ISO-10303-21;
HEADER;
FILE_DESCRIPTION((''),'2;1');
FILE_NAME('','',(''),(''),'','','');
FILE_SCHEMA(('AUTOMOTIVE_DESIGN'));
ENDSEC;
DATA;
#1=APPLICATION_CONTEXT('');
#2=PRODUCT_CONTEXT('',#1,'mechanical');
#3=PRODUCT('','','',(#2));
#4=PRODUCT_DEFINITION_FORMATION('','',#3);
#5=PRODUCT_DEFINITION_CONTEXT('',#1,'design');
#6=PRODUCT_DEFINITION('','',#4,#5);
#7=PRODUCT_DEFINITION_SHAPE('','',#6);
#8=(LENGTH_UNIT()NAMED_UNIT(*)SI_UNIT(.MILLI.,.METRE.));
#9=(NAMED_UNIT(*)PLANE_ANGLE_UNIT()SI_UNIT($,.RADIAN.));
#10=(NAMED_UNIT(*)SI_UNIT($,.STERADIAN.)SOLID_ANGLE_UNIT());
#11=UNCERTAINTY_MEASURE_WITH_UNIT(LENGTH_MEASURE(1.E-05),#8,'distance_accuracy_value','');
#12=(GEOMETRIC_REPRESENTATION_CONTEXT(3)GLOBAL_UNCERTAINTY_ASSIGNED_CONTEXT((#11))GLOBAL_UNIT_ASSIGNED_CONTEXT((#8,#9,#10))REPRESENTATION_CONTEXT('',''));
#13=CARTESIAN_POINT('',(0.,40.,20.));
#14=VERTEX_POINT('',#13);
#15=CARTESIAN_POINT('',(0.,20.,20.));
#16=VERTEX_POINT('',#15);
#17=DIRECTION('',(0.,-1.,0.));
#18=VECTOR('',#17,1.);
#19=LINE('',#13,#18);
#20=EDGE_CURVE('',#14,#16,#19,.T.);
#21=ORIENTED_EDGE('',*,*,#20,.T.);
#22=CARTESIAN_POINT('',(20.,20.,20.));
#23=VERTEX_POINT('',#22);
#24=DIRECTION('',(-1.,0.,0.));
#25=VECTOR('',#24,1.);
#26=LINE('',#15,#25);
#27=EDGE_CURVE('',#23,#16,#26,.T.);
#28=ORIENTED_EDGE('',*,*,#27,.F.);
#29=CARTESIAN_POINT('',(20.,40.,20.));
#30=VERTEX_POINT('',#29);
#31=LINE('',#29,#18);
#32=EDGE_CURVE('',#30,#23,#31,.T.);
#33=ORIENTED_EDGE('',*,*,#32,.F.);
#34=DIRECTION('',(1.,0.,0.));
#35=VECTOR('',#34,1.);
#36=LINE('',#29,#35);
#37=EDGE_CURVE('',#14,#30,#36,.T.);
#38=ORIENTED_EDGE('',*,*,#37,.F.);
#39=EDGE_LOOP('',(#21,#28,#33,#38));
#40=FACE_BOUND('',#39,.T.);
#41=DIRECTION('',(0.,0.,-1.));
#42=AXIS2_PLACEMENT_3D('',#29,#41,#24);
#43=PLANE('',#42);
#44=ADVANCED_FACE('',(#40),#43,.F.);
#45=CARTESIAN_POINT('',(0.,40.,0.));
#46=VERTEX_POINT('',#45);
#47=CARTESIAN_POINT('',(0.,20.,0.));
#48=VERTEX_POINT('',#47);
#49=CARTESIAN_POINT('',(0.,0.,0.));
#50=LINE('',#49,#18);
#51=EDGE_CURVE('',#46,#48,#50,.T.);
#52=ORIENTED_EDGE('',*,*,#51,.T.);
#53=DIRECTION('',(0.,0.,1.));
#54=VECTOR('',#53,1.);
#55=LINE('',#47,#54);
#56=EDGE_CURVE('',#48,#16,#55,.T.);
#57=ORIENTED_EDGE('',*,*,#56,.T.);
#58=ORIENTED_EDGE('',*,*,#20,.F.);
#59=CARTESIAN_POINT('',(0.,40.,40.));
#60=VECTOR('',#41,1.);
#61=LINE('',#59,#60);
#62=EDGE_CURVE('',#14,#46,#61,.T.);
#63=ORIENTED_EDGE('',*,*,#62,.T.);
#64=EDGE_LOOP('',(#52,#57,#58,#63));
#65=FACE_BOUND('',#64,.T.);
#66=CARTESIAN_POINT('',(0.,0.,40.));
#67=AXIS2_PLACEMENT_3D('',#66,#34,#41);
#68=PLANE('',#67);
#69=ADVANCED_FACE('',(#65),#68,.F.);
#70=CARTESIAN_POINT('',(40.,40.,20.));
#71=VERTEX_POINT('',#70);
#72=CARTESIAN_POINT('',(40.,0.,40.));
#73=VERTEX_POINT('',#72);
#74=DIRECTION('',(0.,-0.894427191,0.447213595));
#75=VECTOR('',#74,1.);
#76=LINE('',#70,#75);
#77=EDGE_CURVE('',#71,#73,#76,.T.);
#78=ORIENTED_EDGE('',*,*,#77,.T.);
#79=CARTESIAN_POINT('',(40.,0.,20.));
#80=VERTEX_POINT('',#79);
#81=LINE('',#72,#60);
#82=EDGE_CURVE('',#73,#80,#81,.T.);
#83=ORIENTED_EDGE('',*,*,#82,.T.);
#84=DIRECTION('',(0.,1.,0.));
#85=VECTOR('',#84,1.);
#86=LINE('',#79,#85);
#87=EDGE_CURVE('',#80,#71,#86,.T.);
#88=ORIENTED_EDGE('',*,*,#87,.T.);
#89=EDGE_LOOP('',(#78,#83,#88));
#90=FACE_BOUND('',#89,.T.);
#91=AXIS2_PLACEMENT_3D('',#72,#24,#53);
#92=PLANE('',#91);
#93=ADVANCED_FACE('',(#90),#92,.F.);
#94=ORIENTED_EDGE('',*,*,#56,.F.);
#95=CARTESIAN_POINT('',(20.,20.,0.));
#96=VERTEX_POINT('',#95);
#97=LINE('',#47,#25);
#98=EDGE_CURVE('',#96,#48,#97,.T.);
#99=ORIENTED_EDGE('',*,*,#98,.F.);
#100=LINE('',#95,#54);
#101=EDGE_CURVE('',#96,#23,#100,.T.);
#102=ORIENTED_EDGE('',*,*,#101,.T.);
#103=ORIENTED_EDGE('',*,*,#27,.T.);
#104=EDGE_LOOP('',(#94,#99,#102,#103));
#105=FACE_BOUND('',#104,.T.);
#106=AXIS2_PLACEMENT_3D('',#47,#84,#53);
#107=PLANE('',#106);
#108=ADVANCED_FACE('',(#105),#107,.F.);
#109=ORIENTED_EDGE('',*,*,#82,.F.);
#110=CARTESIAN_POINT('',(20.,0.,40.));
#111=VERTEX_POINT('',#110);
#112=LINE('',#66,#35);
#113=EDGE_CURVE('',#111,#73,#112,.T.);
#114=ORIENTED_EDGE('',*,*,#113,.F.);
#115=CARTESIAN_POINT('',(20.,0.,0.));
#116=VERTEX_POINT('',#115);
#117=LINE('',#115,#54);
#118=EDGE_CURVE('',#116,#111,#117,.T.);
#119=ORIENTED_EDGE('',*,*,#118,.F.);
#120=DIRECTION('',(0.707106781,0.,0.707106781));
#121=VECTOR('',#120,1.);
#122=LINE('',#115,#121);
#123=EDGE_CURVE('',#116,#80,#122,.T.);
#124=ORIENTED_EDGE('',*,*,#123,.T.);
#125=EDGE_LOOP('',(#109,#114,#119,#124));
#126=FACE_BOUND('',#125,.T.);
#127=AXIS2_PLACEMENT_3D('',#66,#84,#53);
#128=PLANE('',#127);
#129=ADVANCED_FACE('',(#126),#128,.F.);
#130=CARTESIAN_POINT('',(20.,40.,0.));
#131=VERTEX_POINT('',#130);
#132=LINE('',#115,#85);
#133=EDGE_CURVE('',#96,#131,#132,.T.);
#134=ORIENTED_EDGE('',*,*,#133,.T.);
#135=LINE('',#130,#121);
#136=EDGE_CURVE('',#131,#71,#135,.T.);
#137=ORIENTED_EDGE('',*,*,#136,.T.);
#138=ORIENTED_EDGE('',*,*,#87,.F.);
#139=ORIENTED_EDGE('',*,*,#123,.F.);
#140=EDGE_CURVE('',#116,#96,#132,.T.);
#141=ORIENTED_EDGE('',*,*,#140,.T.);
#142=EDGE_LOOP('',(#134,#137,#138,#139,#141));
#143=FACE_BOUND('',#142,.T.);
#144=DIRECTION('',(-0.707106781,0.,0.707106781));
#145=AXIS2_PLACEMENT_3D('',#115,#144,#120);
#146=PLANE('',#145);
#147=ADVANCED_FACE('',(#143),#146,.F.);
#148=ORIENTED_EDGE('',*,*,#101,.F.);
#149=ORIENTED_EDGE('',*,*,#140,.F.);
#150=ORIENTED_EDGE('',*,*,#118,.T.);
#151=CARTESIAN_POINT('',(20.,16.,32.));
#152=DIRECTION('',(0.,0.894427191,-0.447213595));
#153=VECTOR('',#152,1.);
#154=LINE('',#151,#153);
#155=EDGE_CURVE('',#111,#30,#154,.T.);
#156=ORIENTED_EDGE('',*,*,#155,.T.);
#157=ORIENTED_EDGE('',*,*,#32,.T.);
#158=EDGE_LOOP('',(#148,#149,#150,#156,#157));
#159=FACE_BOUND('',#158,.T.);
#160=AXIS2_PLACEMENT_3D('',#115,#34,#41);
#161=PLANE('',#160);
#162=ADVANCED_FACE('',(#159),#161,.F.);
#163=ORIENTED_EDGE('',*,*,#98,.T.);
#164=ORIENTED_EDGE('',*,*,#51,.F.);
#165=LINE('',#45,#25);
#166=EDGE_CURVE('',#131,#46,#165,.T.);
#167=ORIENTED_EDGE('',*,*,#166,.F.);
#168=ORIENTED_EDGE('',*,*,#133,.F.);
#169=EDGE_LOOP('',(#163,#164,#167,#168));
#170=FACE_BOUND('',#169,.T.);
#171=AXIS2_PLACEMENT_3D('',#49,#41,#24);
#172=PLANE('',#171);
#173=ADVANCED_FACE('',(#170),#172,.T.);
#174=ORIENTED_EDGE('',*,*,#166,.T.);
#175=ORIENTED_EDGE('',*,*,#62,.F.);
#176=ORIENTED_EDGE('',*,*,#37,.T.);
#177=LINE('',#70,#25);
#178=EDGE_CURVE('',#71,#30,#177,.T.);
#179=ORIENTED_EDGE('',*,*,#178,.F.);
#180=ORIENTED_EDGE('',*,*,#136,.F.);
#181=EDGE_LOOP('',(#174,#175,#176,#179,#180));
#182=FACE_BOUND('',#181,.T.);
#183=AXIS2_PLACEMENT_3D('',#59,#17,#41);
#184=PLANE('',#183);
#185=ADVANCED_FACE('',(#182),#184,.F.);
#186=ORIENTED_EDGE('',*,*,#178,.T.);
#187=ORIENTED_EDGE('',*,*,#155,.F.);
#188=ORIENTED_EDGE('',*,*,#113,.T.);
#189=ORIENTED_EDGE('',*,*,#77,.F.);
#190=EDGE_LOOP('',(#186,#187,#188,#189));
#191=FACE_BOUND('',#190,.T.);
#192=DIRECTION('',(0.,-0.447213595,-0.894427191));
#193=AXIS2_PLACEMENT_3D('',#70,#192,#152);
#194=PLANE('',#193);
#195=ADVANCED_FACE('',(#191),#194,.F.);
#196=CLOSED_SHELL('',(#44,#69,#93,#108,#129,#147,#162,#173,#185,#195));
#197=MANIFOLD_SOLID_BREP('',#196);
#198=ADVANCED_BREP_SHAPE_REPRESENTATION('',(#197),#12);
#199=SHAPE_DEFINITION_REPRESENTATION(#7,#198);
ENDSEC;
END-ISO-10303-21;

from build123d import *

# Parameters (mm, degrees)
SKETCH1_W           = 40
SKETCH1_H           = 40
BOSS_EXTRUDE1_DEPTH = 40
SKETCH2_W           = 20
SKETCH2_H           = 20
CUT_EXTRUDE1_DEPTH  = 40
CUT_EXTRUDE2_DEPTH  = 40
SKETCH4_W           = 20
SKETCH4_H           = 20
CUT_EXTRUDE3_DEPTH  = 40
CUT_EXTRUDE4_DEPTH  = 40


with BuildPart() as part:
    # Sketch1 → Boss-Extrude1 (new body)
    with BuildSketch(Plane.XY):
        with Locations((20, 20)):
            Rectangle(SKETCH1_W, SKETCH1_H)
    extrude(amount=BOSS_EXTRUDE1_DEPTH)

    # Sketch2 → Cut-Extrude1 (cut)
    with BuildSketch(Plane.XY.offset(40)):
        with Locations((10, 10)):
            Rectangle(SKETCH2_W, SKETCH2_H)
    extrude(amount=-CUT_EXTRUDE1_DEPTH, mode=Mode.SUBTRACT)

    # Sketch3 → Cut-Extrude2 (cut)
    with BuildSketch(Plane.ZY):
        Polygon((20, 40), (40, 0), (40, 40), align=None)
    extrude(amount=-CUT_EXTRUDE2_DEPTH, mode=Mode.SUBTRACT)

    # Sketch4 → Cut-Extrude3 (cut)
    with BuildSketch(Plane(origin=(0, 0, 0), x_dir=(-1, 0, 0), z_dir=(0, -1, 0))):
        with Locations((-10, -30)):
            Rectangle(SKETCH4_W, SKETCH4_H)
    extrude(amount=-CUT_EXTRUDE3_DEPTH, mode=Mode.SUBTRACT)

    # Sketch5 → Cut-Extrude4 (cut)
    with BuildSketch(Plane(origin=(0, 40, 0), x_dir=(1, 0, 0), z_dir=(0, 1, 0))):
        Polygon((20, 0), (40, -20), (40, 0), align=None)
    extrude(amount=-CUT_EXTRUDE4_DEPTH, mode=Mode.SUBTRACT)


solid = part.part
